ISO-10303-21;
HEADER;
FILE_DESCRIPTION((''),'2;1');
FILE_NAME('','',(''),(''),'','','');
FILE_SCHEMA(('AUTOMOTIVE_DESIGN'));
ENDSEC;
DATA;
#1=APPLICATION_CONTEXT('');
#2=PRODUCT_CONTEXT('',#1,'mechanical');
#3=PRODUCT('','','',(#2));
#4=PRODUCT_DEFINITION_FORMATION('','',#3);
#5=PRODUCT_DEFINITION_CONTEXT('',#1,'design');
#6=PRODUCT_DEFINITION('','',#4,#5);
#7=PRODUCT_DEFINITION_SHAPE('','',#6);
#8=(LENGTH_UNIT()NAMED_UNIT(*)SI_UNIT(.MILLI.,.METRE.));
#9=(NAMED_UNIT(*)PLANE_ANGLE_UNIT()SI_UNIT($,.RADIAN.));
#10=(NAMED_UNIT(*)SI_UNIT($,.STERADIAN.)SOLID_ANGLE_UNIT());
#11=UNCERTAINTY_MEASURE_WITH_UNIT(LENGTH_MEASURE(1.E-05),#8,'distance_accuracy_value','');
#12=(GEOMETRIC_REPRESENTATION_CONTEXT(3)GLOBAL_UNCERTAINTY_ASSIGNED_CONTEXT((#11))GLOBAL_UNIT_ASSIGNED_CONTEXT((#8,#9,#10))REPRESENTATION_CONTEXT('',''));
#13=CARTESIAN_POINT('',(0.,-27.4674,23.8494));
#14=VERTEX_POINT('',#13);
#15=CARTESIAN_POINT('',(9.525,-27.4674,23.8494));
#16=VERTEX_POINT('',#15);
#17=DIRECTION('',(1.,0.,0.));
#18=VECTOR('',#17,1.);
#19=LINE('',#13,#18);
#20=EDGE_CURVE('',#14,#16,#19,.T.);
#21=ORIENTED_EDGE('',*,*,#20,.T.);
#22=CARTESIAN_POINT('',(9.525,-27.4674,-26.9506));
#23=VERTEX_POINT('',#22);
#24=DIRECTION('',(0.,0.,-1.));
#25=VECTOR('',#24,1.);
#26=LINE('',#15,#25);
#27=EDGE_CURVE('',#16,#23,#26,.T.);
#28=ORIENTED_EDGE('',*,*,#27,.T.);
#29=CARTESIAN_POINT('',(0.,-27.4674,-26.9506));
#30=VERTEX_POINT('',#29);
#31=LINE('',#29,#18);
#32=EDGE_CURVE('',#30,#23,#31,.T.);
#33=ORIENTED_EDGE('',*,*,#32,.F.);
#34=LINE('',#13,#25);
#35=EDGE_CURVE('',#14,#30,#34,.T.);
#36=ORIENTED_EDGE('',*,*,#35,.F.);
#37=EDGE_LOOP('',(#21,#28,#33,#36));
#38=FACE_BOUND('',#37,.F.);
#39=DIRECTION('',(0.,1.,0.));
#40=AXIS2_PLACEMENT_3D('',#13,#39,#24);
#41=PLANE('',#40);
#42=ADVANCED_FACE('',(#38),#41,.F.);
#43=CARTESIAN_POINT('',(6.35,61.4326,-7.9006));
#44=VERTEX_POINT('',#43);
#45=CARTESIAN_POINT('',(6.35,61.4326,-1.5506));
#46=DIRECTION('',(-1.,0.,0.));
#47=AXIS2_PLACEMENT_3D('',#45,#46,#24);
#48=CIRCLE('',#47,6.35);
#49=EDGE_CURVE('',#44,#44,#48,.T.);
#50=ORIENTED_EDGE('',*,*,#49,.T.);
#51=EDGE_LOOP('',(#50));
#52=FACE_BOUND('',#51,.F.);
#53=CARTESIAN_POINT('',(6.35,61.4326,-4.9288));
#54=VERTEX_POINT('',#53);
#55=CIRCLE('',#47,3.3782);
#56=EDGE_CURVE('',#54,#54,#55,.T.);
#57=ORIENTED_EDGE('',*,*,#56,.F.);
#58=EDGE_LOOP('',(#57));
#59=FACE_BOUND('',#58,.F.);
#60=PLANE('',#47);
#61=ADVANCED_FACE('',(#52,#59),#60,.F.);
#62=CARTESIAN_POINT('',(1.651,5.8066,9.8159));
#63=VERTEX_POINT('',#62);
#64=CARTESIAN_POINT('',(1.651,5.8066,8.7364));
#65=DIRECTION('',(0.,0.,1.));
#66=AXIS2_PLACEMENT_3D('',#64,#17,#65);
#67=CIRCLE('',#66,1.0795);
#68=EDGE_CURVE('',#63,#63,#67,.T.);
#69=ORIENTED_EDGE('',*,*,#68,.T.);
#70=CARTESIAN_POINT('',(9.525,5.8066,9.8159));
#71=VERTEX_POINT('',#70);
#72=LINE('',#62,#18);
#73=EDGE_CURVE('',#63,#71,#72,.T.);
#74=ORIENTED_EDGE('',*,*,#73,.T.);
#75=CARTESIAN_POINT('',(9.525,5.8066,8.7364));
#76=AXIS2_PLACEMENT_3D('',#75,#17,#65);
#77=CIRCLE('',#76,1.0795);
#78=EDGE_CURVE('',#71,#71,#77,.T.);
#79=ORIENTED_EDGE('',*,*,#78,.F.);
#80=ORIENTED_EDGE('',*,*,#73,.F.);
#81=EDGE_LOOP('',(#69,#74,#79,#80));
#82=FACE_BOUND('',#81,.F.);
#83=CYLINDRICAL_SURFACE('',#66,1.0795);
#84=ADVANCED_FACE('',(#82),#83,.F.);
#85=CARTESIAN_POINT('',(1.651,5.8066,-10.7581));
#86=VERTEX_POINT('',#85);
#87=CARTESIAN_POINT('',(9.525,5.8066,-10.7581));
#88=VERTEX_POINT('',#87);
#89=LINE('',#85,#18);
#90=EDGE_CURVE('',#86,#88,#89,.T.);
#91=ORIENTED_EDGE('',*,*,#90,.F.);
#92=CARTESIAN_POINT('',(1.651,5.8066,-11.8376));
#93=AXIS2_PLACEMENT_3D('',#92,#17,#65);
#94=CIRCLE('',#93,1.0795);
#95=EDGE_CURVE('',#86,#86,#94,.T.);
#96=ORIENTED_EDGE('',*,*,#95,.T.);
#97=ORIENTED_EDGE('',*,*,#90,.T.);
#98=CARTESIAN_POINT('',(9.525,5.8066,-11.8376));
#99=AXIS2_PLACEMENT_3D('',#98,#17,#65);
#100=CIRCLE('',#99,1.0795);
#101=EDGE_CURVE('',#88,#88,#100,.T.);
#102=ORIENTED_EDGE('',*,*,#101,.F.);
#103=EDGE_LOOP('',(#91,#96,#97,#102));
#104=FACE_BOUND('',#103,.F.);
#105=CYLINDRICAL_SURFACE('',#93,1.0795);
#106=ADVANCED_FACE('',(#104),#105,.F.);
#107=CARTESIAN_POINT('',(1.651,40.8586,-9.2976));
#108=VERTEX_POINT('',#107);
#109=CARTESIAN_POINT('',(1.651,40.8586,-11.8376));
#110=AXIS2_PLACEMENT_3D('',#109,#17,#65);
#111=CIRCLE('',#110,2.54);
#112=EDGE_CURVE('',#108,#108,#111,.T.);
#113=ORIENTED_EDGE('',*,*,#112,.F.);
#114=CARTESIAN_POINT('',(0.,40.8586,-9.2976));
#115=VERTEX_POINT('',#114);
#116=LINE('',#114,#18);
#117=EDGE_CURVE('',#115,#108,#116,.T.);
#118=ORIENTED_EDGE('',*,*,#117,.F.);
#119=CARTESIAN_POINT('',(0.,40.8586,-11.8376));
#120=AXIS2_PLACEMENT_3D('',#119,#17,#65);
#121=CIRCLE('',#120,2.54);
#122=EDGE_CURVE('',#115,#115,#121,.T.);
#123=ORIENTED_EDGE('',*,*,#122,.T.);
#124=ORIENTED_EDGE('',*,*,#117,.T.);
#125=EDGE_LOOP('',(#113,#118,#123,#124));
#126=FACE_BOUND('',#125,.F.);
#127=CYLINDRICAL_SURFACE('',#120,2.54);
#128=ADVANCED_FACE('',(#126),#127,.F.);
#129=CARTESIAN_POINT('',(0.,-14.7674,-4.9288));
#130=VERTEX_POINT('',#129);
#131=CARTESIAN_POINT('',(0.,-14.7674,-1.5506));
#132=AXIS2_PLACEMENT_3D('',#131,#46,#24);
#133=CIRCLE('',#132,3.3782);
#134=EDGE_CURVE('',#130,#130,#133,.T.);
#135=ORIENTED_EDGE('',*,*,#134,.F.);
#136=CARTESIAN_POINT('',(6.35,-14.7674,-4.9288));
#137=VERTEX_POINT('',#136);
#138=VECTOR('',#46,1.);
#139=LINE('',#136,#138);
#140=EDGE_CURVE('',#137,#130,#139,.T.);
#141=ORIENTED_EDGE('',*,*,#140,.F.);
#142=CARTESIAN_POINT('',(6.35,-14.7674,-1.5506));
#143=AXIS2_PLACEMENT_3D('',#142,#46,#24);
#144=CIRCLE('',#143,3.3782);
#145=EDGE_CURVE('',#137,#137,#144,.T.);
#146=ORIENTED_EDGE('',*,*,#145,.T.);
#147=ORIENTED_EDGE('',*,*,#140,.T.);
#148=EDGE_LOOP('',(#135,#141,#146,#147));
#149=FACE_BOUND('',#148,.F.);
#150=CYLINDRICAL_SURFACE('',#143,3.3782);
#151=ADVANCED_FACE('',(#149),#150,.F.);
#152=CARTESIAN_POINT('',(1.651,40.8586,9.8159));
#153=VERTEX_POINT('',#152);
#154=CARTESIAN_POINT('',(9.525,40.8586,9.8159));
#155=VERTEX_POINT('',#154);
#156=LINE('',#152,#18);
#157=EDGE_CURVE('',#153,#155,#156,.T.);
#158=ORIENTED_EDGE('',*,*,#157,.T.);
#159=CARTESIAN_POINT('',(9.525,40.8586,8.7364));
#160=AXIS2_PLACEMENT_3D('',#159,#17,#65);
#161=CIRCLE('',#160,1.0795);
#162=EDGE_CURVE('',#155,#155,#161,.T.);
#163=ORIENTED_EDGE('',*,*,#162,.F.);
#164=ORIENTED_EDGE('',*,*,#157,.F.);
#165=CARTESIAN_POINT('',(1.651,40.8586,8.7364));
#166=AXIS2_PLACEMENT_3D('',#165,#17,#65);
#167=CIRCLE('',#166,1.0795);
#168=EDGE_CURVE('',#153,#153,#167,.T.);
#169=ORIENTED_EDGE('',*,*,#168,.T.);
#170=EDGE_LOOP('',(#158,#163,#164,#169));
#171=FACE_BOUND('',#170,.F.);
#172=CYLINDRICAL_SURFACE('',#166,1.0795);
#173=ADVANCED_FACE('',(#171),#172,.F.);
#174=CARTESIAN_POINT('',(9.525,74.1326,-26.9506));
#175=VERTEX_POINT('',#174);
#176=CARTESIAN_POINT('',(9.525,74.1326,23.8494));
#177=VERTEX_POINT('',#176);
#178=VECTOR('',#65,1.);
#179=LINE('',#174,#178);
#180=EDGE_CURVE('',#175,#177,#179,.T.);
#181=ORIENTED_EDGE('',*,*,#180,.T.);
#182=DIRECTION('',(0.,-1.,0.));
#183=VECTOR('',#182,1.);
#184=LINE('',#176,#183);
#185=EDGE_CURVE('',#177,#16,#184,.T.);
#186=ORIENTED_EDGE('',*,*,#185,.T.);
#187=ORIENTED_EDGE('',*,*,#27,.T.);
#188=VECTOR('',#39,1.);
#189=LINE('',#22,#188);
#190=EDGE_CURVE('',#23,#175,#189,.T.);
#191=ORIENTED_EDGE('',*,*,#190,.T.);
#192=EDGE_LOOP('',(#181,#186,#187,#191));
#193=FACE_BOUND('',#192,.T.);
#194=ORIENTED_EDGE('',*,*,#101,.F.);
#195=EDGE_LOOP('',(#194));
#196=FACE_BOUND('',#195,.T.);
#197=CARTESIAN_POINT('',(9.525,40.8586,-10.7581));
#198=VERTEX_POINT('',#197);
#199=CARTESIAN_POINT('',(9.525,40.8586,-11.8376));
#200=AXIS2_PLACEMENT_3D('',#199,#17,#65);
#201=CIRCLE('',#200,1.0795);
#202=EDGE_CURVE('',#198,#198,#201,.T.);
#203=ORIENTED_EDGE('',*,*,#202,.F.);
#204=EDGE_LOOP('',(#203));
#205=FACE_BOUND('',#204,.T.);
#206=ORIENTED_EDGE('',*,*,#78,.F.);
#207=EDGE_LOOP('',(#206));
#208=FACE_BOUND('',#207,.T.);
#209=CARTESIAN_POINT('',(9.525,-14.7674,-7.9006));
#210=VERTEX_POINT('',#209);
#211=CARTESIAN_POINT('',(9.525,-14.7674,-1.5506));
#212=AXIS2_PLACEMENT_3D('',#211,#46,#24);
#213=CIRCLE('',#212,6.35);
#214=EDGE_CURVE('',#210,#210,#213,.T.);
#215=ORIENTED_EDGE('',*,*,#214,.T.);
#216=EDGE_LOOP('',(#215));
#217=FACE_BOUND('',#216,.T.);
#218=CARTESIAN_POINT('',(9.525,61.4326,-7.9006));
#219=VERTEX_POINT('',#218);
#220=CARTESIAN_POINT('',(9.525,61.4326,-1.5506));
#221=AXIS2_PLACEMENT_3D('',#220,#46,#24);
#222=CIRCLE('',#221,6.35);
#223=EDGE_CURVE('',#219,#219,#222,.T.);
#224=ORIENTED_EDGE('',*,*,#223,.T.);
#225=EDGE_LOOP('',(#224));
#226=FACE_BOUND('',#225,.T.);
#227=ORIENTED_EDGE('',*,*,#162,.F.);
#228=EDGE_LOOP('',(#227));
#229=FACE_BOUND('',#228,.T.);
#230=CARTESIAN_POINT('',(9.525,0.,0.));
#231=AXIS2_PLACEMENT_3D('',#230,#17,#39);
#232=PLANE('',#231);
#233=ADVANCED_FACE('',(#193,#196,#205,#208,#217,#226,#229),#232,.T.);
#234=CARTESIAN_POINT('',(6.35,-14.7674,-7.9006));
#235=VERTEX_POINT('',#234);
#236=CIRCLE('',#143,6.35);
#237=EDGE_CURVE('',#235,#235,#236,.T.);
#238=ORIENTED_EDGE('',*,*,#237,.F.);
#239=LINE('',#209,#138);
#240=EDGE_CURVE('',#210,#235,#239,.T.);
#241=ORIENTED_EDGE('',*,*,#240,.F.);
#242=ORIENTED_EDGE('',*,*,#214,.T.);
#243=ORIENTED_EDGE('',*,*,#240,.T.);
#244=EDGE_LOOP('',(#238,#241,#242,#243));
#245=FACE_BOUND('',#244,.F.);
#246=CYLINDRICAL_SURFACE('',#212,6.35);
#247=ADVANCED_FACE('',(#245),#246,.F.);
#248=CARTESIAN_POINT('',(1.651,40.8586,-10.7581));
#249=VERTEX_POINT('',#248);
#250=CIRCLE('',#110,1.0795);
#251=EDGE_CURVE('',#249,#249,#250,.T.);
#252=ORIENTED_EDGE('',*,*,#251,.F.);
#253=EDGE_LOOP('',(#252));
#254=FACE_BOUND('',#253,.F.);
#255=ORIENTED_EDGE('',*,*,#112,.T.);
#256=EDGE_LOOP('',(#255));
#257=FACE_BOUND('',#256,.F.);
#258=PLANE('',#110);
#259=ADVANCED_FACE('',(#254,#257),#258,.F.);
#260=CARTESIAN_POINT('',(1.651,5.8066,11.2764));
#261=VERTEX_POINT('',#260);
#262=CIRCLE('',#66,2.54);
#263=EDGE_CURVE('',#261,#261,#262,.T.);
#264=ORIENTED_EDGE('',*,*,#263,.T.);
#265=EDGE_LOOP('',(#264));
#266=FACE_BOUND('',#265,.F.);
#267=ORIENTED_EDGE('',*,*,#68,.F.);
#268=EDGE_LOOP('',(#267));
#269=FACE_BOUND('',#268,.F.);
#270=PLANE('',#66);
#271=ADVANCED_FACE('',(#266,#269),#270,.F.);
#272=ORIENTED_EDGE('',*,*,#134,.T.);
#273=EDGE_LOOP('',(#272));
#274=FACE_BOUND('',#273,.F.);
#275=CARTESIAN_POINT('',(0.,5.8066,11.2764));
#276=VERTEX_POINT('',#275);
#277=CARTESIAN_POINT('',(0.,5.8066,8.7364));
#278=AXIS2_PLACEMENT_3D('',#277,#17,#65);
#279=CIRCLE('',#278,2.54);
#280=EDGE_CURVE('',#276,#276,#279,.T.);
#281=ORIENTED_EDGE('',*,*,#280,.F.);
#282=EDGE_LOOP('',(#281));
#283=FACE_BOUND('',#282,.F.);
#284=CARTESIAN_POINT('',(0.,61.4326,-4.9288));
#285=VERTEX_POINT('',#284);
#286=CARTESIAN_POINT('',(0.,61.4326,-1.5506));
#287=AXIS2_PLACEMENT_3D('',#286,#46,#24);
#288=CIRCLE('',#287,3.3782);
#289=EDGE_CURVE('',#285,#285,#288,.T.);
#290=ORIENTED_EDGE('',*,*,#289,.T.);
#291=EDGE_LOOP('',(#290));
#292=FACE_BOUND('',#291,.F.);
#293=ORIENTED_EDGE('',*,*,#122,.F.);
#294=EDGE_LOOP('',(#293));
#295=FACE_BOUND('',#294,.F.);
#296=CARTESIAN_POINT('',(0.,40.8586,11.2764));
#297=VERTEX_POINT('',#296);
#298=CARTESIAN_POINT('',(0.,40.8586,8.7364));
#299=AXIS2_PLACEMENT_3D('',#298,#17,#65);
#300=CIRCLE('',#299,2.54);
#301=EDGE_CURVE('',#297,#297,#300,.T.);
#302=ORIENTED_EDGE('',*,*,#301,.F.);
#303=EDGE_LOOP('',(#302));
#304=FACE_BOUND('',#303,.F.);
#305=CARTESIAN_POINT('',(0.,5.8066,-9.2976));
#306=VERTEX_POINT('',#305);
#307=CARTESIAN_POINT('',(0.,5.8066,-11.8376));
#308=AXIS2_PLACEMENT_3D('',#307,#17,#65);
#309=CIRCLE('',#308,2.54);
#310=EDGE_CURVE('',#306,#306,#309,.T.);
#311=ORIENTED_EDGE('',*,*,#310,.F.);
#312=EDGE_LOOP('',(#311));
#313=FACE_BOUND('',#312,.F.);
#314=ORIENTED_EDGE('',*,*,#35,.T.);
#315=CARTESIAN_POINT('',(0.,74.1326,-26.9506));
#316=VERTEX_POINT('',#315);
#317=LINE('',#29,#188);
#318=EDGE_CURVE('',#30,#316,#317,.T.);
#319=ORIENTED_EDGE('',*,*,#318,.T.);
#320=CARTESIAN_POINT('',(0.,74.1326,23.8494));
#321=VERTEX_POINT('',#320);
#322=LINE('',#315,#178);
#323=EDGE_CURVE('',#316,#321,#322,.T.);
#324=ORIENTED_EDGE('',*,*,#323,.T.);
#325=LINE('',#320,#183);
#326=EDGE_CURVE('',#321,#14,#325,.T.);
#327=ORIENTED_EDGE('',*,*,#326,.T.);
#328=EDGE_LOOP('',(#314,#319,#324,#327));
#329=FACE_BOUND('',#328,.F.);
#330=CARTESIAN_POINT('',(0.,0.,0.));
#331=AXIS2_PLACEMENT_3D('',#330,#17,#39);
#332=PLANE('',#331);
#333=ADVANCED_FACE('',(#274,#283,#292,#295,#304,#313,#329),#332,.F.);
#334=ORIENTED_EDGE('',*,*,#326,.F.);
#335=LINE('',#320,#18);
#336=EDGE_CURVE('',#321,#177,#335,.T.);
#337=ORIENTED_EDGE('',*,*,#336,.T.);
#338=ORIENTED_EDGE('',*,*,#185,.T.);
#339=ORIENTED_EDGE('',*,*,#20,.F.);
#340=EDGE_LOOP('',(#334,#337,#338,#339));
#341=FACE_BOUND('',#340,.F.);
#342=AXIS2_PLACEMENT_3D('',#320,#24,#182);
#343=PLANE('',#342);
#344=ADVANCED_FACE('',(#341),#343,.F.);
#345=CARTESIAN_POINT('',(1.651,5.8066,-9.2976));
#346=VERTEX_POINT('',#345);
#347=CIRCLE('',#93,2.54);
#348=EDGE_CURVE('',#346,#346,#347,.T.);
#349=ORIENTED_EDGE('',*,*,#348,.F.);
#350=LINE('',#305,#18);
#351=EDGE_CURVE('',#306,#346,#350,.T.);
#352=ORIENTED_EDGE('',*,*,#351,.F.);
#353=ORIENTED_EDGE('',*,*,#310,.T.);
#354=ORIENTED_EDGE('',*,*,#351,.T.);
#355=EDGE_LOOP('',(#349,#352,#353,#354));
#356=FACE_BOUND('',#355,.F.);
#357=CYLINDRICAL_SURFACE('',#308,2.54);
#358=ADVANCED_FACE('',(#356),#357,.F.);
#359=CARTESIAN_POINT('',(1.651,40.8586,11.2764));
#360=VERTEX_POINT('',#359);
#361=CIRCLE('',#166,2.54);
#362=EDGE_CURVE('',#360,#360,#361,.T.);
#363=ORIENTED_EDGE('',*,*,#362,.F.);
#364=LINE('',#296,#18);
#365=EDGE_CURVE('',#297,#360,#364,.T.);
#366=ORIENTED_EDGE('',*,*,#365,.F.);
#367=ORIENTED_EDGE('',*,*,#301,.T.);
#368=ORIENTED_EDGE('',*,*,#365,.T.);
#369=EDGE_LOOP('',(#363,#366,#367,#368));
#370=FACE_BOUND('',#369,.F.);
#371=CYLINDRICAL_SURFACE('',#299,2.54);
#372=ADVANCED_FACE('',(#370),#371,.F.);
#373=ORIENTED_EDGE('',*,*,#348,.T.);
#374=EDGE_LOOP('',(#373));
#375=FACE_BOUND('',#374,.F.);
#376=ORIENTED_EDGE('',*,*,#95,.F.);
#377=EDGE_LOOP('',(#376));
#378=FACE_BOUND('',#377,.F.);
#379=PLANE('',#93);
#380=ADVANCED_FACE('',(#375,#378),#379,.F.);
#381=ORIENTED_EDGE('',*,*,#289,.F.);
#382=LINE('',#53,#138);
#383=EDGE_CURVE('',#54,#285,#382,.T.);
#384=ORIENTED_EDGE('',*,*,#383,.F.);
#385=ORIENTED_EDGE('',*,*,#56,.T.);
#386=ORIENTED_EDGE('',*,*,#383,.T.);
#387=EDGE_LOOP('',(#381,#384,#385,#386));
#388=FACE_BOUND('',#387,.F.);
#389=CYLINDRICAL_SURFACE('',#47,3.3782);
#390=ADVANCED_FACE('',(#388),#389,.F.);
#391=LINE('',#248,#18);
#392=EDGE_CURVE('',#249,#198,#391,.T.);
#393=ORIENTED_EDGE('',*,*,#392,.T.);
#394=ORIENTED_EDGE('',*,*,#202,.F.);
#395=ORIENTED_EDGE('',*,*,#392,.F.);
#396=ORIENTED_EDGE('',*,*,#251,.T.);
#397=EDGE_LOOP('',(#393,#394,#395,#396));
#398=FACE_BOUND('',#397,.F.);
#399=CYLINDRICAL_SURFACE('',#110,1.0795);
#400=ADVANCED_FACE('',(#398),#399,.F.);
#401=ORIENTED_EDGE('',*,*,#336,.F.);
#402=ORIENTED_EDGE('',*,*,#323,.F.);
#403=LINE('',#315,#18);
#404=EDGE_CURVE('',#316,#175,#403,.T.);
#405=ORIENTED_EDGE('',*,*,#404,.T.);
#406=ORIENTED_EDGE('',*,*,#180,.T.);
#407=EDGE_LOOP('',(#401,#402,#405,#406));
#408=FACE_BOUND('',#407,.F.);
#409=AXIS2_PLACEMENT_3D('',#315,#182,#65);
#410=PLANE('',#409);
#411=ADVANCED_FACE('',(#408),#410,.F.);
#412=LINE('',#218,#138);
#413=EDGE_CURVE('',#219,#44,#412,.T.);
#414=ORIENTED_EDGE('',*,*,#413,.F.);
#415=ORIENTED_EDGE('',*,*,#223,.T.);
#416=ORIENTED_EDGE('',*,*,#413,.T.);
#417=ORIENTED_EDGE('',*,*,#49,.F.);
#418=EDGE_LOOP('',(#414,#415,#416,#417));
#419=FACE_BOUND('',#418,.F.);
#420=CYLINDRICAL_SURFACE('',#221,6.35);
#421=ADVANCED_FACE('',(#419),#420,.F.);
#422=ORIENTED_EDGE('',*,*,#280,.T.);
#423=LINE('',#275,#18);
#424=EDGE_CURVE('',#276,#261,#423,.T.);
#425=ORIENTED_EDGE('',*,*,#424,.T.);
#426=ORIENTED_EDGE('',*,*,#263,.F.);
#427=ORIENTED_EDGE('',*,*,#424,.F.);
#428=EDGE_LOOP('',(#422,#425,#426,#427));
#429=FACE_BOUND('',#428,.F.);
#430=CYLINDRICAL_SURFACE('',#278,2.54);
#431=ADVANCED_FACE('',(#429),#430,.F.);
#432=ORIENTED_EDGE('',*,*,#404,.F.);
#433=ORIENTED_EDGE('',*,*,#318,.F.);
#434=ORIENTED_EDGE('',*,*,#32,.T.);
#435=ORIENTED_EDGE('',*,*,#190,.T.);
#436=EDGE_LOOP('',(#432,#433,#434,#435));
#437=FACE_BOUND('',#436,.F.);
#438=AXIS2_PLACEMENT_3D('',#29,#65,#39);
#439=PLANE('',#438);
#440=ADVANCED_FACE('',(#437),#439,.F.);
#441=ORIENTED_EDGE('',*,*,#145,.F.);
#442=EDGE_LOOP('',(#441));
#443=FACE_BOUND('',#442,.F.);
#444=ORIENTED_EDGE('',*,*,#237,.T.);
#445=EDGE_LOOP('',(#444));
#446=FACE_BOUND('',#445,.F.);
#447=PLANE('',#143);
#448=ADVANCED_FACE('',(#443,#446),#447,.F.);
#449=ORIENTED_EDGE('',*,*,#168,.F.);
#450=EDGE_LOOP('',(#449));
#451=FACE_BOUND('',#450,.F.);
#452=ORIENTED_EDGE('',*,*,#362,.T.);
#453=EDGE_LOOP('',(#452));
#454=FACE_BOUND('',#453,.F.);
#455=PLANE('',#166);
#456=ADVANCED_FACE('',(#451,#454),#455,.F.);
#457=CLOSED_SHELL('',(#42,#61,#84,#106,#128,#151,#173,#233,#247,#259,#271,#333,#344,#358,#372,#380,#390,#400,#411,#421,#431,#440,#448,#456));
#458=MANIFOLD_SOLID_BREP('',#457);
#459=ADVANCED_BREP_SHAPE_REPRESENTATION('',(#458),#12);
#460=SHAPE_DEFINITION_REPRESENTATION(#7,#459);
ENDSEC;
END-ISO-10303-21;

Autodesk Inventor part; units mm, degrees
ref_plane "YZ Plane" through (0, 0, 0) normal (1, 0, 0) x (0, 1, 0)
ref_plane "XZ Plane" through (0, 0, 0) normal (0, 1, 0) x (-1, 0, 0)
ref_plane "XY Plane" through (0, 0, 0) normal (0, 0, 1) x (1, 0, 0)
sketch "Sketch1" plane through (0, 0, 0) normal (1, 0, 0) x (0, 1, 0)
  line L0 (74.1326, 23.8494) -> (-27.4674, 23.8494)
  line L1 (-27.4674, 23.8494) -> (-27.4674, -26.9506)
  line L2 (-27.4674, -26.9506) -> (74.1326, -26.9506)
  line L3 (74.1326, -26.9506) -> (74.1326, 23.8494)
  point P0 (0, 0)
  dimension "d0" = 50.8
  dimension "d1" = 101.6
extrude "Extrusion1" add sketch "Sketch1" along normal blind 9.525
sketch "Sketch2" plane through (9.525, 0, 0) normal (1, 0, 0) x (0, 0, -1)
  line L0 (-23.8494, 74.1326) -> (-23.8494, -27.4674) projected
  line L1 (26.9506, 74.1326) -> (-23.8494, 74.1326) projected
  point P0 (0, 0)
  point P1 (1.5506, 61.4326)
  dimension "d11" = 25.4
  dimension "d12" = 12.7
hole "Hole1" at (9.525, 61.4326, -1.5506) direction (-1, 0, 0) diameter 6.7564 end through all counterbore diameter 12.7 counterbore depth 3.175
sketch "Sketch3" plane through (9.525, 0, 0) normal (1, 0, 0) x (0, 0, -1)
  line L0 (-23.8494, 74.1326) -> (-23.8494, -27.4674) projected
  line L1 (-23.8494, -27.4674) -> (26.9506, -27.4674) projected
  point P0 (0, 0)
  point P1 (1.5506, -14.7674)
  dimension "d21" = 25.4
  dimension "d22" = 12.7
hole "Hole2" at (9.525, -14.7674, -1.5506) direction (-1, 0, 0) diameter 6.7564 end through all counterbore diameter 12.7 counterbore depth 3.175
sketch "Sketch4" plane through (0, 0, 0) normal (-1, 0, 0) x (0, 0, 1)
  line L0 (-26.9506, 74.1326) -> (23.8494, 74.1326) projected
  line L1 (23.8494, 74.1326) -> (23.8494, -27.4674) projected
  point P0 (0, 0)
  point P1 (8.7364, 40.8586)
  dimension "d30" = 33.274
  dimension "d31" = 15.113
hole "Hole3" at (0, 40.8586, 8.7364) direction (1, 0, 0) diameter 2.159 end through all counterbore diameter 5.08 counterbore depth 1.651
sketch "Sketch5" plane through (0, 0, 0) normal (-1, 0, 0) x (0, 0, 1)
  line L0 (23.8494, -27.4674) -> (-26.9506, -27.4674) projected
  line L1 (-26.9506, 74.1326) -> (23.8494, 74.1326) projected
  line L2 (23.8494, 74.1326) -> (23.8494, -27.4674) projected
  point P0 (0, 0)
  point P1 (8.7364, 5.8066)
  dimension "d41" = 33.274
  dimension "d42" = 15.113
hole "Hole4" at (0, 5.8066, 8.7364) direction (1, 0, 0) diameter 2.159 end through all counterbore diameter 5.08 counterbore depth 1.651
sketch "Sketch6" plane through (0, 0, 0) normal (-1, 0, 0) x (0, 0, 1)
  line L0 (-26.9506, -27.4674) -> (-26.9506, 74.1326) projected
  line L1 (-26.9506, 74.1326) -> (23.8494, 74.1326) projected
  point P0 (0, 0)
  point P1 (-11.8376, 40.8586)
  dimension "d50" = 15.113
  dimension "d51" = 33.274
hole "Hole5" at (0, 40.8586, -11.8376) direction (1, 0, 0) diameter 2.159 end through all counterbore diameter 5.08 counterbore depth 1.651
sketch "Sketch7" plane through (0, 0, 0) normal (-1, 0, 0) x (0, 0, 1)
  line L0 (-26.9506, -27.4674) -> (-26.9506, 74.1326) projected
  line L1 (23.8494, -27.4674) -> (-26.9506, -27.4674) projected
  point P0 (0, 0)
  point P1 (-11.8376, 5.8066)
  dimension "d59" = 15.113
  dimension "d60" = 33.274
hole "Hole6" at (0, 5.8066, -11.8376) direction (1, 0, 0) diameter 2.159 end through all counterbore diameter 5.08 counterbore depth 1.651
properties part number "FV mounting plate V1"
